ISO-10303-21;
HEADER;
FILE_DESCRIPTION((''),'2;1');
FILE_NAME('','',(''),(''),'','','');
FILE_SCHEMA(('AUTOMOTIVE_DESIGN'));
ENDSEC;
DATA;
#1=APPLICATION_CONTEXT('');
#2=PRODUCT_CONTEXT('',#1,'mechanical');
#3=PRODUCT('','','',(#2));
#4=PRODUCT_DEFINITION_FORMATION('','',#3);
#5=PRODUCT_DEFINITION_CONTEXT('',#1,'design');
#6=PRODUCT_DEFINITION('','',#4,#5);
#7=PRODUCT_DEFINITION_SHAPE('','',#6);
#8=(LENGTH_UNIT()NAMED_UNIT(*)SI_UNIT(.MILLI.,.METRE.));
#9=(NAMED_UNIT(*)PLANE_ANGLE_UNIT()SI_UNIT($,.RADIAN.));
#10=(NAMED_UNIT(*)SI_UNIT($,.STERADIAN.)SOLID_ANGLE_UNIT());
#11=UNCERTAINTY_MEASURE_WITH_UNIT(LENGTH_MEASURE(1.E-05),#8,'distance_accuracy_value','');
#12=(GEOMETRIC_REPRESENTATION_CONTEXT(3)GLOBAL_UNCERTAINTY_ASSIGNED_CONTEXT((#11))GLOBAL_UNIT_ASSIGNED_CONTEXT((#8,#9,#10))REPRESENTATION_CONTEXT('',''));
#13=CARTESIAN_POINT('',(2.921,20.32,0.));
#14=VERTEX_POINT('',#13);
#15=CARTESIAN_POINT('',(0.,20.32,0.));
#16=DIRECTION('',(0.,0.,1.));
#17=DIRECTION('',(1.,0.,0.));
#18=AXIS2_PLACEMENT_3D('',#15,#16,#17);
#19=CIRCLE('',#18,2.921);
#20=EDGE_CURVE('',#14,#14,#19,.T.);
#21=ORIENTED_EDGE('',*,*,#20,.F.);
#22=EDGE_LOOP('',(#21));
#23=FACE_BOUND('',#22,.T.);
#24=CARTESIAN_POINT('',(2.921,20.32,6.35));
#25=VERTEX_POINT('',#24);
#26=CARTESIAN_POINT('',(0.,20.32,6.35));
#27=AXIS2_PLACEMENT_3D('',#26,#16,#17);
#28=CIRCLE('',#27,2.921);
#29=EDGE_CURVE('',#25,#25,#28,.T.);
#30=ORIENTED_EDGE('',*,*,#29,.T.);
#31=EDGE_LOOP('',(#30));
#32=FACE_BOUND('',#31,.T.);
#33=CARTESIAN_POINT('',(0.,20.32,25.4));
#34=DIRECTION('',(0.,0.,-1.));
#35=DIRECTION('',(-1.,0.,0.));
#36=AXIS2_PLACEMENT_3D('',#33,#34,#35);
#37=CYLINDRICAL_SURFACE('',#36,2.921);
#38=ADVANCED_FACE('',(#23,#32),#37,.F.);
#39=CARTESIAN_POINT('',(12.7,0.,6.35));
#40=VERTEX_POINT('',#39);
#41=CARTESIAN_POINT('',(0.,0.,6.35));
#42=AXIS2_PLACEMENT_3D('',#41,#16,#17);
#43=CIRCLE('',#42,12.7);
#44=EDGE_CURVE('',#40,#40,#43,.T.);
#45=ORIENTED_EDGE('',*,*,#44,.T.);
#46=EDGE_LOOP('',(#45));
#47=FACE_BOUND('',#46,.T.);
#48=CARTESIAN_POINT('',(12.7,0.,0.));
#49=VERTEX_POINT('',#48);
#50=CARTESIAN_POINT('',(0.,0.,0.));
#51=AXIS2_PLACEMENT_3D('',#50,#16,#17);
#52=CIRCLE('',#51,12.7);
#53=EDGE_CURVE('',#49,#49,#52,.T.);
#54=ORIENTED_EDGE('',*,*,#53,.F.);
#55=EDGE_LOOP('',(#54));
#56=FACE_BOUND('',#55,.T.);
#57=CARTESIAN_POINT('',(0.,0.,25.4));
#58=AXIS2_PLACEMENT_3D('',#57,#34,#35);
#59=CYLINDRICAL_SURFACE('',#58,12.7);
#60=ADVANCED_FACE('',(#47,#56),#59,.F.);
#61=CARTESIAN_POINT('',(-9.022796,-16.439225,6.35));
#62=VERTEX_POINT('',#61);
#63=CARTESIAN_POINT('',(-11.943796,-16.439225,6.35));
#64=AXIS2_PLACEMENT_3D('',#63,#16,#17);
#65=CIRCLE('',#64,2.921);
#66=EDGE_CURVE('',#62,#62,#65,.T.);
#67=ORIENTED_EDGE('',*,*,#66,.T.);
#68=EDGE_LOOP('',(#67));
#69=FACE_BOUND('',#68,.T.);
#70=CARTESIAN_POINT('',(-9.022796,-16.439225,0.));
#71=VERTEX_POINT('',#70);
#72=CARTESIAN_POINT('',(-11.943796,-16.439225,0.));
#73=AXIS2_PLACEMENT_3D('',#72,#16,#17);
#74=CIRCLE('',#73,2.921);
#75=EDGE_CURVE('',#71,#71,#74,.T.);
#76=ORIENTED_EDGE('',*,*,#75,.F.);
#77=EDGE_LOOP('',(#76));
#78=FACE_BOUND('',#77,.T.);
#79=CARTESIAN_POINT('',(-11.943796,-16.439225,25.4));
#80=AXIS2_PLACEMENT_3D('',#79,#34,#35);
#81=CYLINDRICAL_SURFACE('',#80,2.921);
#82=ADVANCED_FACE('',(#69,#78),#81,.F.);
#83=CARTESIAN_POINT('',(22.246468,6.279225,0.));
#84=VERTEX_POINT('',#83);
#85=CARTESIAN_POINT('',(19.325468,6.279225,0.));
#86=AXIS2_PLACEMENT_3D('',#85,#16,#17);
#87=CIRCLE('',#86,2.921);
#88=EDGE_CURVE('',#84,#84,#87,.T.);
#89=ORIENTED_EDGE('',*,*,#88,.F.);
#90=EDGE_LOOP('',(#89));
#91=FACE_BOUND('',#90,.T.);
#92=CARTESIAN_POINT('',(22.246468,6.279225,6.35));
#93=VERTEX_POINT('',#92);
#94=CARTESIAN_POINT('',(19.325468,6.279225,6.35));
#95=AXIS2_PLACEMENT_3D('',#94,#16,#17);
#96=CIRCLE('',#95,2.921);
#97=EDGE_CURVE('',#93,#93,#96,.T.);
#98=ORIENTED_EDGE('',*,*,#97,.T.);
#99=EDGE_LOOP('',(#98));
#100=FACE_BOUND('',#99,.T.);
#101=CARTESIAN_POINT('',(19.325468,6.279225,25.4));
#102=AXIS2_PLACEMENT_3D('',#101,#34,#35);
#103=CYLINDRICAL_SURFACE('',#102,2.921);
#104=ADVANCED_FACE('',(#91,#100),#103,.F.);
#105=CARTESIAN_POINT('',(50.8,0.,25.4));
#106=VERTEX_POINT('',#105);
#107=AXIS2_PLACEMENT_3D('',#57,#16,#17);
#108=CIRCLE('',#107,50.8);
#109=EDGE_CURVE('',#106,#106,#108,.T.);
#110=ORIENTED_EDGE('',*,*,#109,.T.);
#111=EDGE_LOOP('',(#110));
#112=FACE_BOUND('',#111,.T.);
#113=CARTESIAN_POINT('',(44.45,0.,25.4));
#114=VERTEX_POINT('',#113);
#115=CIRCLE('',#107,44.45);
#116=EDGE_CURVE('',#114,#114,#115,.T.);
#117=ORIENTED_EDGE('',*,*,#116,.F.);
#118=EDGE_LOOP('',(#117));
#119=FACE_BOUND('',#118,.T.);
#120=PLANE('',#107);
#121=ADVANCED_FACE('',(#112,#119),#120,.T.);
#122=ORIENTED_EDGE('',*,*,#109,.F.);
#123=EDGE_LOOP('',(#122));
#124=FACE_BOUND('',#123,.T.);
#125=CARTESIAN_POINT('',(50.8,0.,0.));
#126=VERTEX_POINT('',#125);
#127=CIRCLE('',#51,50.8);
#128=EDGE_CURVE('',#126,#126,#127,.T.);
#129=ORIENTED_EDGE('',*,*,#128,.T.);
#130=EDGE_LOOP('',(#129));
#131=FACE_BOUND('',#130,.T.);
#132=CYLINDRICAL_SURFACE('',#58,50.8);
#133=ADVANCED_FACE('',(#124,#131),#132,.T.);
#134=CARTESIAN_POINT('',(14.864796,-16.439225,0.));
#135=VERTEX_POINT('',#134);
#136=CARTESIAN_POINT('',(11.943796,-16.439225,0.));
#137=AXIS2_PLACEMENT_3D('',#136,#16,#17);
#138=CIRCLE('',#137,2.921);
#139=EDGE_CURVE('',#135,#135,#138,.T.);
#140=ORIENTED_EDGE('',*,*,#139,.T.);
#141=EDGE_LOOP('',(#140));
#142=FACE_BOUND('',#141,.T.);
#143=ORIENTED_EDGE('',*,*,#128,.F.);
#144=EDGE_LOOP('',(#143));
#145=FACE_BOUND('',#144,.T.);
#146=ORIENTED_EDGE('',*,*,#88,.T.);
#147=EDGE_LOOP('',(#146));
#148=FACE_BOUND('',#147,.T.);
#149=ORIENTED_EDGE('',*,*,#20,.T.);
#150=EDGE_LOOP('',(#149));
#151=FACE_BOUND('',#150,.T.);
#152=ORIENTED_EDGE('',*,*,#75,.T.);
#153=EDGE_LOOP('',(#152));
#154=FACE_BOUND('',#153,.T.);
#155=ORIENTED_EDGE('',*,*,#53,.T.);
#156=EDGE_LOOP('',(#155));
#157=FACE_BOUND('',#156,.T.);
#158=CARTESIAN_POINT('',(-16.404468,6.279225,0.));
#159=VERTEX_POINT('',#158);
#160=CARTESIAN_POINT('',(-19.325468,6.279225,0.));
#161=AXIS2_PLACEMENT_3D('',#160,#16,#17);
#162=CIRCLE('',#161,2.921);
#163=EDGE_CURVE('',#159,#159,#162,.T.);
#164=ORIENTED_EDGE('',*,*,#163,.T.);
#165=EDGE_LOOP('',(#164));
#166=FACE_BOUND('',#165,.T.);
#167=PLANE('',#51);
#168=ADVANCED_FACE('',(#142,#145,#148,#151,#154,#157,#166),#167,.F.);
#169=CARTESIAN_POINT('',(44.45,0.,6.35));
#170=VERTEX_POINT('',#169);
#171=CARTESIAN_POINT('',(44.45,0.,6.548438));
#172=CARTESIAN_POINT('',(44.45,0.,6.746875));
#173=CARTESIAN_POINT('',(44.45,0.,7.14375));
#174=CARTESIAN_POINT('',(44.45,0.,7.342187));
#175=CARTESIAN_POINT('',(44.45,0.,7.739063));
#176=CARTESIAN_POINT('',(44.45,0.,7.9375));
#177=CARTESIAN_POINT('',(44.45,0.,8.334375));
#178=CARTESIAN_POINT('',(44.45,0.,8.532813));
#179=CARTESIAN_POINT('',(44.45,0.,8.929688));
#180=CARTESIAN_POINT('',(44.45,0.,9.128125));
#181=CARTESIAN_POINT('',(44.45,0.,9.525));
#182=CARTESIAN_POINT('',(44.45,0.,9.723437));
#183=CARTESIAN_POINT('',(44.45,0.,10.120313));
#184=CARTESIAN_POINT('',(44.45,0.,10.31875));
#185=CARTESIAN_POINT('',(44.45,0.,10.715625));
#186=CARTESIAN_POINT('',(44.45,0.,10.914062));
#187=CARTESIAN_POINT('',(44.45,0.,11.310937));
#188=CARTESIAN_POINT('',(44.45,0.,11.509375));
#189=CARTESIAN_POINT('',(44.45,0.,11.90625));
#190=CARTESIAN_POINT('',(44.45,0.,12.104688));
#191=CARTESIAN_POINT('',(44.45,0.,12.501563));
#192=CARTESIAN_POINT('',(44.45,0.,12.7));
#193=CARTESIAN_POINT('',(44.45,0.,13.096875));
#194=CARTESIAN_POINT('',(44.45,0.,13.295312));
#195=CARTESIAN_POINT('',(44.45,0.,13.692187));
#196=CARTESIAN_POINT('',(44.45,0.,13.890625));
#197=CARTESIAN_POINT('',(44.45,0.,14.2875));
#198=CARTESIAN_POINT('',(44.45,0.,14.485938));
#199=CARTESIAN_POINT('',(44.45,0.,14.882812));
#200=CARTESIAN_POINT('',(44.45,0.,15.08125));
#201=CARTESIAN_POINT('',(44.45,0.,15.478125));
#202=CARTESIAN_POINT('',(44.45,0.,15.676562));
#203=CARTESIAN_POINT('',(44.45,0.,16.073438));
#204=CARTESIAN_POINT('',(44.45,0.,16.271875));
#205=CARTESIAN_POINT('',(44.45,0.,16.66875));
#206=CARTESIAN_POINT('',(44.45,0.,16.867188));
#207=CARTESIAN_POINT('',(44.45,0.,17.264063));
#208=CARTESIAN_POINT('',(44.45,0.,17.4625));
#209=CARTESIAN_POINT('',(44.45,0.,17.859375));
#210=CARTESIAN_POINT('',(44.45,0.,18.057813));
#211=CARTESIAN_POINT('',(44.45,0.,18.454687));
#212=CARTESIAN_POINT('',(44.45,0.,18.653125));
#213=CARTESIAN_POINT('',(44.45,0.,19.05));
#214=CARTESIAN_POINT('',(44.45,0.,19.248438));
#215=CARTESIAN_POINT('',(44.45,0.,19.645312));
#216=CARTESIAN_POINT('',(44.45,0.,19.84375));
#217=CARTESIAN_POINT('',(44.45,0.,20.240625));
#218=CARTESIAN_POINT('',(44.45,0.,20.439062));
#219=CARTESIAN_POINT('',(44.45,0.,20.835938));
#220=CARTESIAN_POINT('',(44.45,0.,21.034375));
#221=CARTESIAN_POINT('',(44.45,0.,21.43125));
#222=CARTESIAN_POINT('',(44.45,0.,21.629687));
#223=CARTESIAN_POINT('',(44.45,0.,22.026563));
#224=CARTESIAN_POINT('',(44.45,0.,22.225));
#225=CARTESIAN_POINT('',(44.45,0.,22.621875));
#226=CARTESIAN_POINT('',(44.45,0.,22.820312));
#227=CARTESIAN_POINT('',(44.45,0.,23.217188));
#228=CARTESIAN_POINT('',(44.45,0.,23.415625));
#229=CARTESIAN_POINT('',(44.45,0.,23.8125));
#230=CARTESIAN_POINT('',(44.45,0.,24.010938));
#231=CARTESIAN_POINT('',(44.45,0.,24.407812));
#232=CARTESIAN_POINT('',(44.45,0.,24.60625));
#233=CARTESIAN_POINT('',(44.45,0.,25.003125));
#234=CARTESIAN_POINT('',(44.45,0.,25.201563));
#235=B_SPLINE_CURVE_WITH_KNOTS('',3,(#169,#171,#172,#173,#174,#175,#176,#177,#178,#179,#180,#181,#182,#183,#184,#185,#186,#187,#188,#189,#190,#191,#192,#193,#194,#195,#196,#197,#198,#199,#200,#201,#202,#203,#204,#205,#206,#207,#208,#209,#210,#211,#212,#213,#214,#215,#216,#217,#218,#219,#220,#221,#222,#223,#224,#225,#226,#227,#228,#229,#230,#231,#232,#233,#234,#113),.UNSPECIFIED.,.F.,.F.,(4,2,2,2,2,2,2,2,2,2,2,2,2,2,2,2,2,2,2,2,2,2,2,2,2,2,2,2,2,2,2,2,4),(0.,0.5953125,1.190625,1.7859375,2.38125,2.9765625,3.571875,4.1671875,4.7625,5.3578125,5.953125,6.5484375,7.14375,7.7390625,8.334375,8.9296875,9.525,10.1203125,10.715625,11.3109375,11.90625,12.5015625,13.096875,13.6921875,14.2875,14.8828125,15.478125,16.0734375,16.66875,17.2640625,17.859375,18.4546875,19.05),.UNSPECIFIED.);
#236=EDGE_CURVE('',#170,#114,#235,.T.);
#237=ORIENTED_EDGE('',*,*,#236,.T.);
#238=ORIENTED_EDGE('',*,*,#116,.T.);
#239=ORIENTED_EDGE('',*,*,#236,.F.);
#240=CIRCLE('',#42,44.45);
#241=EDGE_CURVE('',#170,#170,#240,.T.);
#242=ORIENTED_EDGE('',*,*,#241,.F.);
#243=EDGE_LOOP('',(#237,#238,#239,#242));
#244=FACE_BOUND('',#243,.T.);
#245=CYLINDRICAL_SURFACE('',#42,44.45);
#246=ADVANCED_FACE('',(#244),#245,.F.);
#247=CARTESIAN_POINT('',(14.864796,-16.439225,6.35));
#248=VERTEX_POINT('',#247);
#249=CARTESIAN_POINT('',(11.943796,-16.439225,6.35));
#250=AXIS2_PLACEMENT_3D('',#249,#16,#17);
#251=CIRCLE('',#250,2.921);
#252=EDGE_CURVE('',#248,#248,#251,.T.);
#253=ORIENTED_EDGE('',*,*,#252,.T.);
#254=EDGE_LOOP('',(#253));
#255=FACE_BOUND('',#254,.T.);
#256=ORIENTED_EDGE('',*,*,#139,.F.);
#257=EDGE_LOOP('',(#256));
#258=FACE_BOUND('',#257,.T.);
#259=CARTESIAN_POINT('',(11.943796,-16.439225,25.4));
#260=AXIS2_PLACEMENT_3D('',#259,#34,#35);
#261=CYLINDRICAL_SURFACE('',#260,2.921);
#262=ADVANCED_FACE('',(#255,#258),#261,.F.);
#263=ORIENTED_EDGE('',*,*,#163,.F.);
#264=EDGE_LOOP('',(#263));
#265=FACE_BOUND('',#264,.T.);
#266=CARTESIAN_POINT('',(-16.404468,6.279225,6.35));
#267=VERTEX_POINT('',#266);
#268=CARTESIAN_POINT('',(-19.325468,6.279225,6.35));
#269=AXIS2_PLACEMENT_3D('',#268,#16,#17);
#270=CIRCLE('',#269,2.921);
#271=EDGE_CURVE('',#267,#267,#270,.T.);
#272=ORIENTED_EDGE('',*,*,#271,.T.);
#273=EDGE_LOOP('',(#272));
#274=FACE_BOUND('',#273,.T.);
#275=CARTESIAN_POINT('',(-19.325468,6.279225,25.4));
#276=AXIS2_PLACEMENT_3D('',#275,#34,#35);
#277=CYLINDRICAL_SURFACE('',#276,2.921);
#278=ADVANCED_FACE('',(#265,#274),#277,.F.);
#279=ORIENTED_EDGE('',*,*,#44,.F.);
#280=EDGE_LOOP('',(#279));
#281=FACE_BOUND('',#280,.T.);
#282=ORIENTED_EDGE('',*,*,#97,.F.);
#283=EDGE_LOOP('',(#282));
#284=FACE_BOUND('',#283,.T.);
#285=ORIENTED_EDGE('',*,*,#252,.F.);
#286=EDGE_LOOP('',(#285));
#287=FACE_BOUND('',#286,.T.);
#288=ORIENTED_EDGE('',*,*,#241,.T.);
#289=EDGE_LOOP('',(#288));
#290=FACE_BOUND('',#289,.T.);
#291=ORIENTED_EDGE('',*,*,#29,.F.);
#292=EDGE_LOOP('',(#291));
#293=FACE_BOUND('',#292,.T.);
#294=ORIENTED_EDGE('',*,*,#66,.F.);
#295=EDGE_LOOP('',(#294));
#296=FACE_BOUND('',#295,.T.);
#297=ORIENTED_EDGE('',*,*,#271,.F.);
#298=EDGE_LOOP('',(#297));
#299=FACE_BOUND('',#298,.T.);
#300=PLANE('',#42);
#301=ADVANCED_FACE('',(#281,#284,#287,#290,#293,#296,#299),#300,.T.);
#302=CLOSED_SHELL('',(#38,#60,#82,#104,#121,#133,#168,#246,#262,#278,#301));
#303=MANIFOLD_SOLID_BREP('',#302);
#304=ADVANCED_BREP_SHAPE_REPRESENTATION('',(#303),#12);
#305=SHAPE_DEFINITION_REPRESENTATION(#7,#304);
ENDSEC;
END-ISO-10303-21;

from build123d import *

# Parameters (mm, degrees)
SKETCH1_R           = 50.8
SKETCH1_R_2         = 12.7
SKETCH1_R_3         = 2.921
BOSS_EXTRUDE2_DEPTH = 25.4
SKETCH2_R           = 44.45
CUT_EXTRUDE1_DEPTH  = 19.05


with BuildPart() as part:
    # Sketch1 → Boss-Extrude2 (new body)
    with BuildSketch(Plane.XY):
        Circle(SKETCH1_R)
        Circle(SKETCH1_R_2, mode=Mode.SUBTRACT)
        with Locations((0, 20.32)):
            Circle(SKETCH1_R_3, mode=Mode.SUBTRACT)
        with Locations((19.325468411, 6.279225326)):
            Circle(SKETCH1_R_3, mode=Mode.SUBTRACT)
        with Locations((11.943796327, -16.439225326)):
            Circle(SKETCH1_R_3, mode=Mode.SUBTRACT)
        with Locations((-11.943796327, -16.439225326)):
            Circle(SKETCH1_R_3, mode=Mode.SUBTRACT)
        with Locations((-19.325468411, 6.279225326)):
            Circle(SKETCH1_R_3, mode=Mode.SUBTRACT)
    extrude(amount=BOSS_EXTRUDE2_DEPTH)

    # Sketch2 → Cut-Extrude1 (cut)
    with BuildSketch(Plane.XY.offset(25.4)):
        Circle(SKETCH2_R)
    extrude(amount=-CUT_EXTRUDE1_DEPTH, mode=Mode.SUBTRACT)


solid = part.part
